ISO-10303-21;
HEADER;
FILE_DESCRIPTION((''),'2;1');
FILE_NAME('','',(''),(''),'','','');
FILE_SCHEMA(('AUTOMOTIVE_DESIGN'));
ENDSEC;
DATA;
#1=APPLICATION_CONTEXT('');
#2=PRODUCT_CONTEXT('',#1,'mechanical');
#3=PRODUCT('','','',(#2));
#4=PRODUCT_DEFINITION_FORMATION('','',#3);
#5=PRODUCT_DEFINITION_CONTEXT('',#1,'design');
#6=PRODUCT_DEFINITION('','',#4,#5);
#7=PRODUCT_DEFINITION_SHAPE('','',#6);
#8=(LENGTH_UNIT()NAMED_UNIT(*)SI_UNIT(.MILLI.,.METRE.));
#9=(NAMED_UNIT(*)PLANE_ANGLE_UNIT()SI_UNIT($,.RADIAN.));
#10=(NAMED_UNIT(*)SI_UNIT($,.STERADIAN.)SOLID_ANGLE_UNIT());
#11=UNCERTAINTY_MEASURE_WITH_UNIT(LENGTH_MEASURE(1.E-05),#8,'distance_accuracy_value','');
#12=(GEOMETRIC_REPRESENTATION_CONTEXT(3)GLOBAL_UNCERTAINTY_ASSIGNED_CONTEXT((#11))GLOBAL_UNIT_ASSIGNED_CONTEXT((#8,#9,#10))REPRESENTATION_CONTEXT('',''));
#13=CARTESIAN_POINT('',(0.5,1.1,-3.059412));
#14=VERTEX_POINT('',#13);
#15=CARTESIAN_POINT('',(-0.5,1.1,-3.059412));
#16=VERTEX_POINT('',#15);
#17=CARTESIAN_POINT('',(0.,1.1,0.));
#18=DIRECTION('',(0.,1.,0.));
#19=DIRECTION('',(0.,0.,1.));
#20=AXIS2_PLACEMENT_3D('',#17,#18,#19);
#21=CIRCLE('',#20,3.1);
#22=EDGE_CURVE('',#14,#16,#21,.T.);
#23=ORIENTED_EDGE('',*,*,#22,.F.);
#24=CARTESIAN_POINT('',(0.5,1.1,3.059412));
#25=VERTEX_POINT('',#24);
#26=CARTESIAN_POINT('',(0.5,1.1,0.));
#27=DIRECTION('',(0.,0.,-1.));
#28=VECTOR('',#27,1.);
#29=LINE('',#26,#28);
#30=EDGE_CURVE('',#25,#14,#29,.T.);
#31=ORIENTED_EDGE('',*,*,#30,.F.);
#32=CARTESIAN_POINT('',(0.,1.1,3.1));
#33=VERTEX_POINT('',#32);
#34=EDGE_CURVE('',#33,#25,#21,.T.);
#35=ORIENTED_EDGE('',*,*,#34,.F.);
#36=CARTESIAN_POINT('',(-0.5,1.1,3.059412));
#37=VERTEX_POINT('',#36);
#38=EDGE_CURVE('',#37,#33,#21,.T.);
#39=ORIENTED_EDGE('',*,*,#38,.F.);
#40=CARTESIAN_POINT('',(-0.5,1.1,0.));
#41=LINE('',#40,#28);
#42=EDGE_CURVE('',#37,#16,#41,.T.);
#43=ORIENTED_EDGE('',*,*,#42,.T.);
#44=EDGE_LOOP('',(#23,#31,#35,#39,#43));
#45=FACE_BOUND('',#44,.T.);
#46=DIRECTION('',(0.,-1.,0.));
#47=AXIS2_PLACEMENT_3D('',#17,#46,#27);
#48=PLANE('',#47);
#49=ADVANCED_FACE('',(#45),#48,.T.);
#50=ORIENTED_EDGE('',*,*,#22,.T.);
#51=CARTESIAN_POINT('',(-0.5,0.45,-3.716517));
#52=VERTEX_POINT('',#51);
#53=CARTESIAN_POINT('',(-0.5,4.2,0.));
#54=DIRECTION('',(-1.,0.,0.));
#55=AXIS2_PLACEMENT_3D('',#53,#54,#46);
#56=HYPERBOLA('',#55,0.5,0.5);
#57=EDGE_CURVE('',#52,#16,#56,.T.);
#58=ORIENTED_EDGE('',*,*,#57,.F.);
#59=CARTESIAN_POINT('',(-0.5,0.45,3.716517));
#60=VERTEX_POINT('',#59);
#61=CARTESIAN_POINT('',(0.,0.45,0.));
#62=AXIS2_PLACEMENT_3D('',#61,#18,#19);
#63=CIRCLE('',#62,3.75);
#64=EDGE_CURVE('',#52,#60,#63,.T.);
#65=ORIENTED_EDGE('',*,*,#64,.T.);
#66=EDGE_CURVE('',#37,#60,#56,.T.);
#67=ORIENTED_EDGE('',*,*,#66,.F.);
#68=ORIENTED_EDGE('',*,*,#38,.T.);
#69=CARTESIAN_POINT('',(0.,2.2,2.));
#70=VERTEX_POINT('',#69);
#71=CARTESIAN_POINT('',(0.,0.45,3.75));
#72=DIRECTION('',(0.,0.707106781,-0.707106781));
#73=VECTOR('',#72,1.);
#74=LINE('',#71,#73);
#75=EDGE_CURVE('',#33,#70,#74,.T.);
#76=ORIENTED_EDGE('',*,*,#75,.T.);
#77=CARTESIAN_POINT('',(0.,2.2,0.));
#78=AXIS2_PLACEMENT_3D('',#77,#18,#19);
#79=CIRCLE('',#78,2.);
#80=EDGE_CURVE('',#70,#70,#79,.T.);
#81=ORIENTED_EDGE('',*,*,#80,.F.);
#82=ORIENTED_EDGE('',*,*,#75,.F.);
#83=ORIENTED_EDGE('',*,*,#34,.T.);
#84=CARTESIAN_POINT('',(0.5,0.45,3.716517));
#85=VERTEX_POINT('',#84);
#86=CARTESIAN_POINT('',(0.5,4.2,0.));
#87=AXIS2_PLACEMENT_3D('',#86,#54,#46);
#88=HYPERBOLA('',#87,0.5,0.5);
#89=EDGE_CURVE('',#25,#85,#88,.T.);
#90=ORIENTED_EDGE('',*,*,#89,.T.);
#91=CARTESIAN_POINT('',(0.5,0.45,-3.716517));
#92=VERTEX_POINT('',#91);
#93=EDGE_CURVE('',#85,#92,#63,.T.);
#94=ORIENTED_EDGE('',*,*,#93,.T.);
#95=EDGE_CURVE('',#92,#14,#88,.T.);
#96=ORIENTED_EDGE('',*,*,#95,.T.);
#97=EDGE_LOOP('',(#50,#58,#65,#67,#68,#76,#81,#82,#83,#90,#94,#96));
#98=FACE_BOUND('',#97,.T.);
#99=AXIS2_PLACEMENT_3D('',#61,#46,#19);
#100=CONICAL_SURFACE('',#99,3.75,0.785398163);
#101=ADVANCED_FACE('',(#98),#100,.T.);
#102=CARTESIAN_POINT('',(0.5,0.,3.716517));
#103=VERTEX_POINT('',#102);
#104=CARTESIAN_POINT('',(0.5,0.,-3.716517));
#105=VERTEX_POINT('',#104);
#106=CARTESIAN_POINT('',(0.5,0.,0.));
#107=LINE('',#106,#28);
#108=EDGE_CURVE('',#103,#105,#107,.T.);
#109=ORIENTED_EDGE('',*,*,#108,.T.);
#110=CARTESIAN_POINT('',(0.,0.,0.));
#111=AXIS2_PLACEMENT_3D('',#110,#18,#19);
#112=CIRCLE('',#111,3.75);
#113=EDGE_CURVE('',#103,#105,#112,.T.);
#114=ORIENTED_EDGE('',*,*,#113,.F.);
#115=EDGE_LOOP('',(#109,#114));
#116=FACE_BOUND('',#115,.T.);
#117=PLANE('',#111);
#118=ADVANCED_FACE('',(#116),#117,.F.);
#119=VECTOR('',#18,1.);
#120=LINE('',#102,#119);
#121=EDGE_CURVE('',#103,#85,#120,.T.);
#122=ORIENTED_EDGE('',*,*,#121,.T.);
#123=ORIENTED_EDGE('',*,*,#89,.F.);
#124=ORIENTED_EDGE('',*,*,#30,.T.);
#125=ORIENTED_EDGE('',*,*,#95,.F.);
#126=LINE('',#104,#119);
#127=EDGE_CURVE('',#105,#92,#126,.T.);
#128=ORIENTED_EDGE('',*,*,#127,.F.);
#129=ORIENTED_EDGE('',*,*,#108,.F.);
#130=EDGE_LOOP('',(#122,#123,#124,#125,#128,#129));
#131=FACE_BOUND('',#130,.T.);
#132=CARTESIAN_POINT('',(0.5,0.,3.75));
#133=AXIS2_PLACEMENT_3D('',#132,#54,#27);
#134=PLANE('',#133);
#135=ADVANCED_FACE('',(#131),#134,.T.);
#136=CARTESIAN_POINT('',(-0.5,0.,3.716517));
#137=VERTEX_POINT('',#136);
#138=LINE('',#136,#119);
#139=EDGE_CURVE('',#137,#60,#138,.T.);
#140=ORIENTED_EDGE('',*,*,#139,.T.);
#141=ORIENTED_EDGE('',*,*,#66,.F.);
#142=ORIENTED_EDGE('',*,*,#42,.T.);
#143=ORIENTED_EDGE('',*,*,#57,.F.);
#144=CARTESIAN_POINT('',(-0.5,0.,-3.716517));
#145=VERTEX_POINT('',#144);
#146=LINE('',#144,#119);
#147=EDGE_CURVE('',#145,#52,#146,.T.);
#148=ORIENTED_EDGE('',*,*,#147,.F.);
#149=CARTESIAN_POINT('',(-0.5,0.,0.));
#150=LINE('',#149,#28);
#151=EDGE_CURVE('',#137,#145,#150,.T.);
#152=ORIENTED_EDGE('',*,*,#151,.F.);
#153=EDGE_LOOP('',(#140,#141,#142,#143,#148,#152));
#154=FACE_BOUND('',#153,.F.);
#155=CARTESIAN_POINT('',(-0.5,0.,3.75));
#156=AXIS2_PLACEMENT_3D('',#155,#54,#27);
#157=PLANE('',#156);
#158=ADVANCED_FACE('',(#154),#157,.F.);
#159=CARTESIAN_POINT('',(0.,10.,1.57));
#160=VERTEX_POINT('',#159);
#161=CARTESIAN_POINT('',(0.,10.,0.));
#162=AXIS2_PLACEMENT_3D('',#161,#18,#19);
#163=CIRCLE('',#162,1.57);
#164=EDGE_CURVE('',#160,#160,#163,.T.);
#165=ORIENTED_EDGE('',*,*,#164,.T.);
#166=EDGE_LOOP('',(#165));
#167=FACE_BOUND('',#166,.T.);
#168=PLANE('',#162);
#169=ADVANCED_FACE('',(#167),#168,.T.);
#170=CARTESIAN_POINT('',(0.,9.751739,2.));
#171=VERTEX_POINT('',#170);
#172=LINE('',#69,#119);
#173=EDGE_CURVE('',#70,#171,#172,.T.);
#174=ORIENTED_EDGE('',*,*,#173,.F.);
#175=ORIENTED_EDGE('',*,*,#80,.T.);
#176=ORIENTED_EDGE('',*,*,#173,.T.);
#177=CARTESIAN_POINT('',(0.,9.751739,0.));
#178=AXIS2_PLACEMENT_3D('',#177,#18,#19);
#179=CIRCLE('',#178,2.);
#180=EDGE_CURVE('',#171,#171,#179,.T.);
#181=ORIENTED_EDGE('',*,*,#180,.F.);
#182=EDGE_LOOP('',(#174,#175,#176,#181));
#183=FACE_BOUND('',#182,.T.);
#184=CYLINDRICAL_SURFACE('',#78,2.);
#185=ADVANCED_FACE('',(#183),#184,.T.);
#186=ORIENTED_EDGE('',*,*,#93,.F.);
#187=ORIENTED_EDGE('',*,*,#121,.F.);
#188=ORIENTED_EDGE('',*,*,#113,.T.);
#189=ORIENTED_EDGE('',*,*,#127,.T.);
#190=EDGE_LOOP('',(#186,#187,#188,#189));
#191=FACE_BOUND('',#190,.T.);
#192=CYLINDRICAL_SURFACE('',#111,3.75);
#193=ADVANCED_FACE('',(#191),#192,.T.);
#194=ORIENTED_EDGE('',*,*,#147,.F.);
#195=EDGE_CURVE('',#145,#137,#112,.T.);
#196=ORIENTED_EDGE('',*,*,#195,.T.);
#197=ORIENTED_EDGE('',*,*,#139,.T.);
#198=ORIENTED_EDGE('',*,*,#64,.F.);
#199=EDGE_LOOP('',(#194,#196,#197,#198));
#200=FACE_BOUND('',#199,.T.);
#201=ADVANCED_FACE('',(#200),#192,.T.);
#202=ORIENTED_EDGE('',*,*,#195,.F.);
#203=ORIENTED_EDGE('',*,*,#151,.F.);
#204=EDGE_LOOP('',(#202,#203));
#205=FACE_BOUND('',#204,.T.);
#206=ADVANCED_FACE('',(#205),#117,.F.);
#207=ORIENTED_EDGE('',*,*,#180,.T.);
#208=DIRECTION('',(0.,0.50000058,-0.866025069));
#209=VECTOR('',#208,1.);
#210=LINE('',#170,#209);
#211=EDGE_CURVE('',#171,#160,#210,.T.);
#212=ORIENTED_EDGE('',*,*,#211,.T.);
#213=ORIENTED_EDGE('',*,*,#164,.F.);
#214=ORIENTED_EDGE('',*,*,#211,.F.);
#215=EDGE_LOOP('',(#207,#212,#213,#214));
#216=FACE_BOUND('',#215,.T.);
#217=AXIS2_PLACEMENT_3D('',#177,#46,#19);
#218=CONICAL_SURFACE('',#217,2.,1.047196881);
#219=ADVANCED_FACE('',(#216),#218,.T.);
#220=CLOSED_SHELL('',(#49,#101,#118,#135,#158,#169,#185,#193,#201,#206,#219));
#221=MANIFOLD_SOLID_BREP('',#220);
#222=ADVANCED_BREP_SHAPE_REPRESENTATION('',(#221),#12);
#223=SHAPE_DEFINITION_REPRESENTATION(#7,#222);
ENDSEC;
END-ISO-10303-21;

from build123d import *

# Parameters (mm, degrees)
SKETCH001_W  = 7.5
SKETCH001_H  = 1
POCKET_DEPTH = 1.1


with BuildPart() as part:
    # Sketch → Revolution (revolve)
    with BuildSketch(Plane.YZ):
        Polygon((0, 0), (0, 3.75), (0.45, 3.75), (2.2, 2), (9.751739, 2), (10, 1.57), (10, 0), align=None)
    revolve(axis=Axis((0, 0, 0), (0, 1, 0)))

    # Sketch001 → Pocket (cut)
    with BuildSketch(Plane(origin=(0, 0, 0), x_dir=(0, 0, -1), z_dir=(0, -1, 0))):
        Rectangle(SKETCH001_W, SKETCH001_H)
    extrude(amount=-POCKET_DEPTH, mode=Mode.SUBTRACT)


solid = part.part
